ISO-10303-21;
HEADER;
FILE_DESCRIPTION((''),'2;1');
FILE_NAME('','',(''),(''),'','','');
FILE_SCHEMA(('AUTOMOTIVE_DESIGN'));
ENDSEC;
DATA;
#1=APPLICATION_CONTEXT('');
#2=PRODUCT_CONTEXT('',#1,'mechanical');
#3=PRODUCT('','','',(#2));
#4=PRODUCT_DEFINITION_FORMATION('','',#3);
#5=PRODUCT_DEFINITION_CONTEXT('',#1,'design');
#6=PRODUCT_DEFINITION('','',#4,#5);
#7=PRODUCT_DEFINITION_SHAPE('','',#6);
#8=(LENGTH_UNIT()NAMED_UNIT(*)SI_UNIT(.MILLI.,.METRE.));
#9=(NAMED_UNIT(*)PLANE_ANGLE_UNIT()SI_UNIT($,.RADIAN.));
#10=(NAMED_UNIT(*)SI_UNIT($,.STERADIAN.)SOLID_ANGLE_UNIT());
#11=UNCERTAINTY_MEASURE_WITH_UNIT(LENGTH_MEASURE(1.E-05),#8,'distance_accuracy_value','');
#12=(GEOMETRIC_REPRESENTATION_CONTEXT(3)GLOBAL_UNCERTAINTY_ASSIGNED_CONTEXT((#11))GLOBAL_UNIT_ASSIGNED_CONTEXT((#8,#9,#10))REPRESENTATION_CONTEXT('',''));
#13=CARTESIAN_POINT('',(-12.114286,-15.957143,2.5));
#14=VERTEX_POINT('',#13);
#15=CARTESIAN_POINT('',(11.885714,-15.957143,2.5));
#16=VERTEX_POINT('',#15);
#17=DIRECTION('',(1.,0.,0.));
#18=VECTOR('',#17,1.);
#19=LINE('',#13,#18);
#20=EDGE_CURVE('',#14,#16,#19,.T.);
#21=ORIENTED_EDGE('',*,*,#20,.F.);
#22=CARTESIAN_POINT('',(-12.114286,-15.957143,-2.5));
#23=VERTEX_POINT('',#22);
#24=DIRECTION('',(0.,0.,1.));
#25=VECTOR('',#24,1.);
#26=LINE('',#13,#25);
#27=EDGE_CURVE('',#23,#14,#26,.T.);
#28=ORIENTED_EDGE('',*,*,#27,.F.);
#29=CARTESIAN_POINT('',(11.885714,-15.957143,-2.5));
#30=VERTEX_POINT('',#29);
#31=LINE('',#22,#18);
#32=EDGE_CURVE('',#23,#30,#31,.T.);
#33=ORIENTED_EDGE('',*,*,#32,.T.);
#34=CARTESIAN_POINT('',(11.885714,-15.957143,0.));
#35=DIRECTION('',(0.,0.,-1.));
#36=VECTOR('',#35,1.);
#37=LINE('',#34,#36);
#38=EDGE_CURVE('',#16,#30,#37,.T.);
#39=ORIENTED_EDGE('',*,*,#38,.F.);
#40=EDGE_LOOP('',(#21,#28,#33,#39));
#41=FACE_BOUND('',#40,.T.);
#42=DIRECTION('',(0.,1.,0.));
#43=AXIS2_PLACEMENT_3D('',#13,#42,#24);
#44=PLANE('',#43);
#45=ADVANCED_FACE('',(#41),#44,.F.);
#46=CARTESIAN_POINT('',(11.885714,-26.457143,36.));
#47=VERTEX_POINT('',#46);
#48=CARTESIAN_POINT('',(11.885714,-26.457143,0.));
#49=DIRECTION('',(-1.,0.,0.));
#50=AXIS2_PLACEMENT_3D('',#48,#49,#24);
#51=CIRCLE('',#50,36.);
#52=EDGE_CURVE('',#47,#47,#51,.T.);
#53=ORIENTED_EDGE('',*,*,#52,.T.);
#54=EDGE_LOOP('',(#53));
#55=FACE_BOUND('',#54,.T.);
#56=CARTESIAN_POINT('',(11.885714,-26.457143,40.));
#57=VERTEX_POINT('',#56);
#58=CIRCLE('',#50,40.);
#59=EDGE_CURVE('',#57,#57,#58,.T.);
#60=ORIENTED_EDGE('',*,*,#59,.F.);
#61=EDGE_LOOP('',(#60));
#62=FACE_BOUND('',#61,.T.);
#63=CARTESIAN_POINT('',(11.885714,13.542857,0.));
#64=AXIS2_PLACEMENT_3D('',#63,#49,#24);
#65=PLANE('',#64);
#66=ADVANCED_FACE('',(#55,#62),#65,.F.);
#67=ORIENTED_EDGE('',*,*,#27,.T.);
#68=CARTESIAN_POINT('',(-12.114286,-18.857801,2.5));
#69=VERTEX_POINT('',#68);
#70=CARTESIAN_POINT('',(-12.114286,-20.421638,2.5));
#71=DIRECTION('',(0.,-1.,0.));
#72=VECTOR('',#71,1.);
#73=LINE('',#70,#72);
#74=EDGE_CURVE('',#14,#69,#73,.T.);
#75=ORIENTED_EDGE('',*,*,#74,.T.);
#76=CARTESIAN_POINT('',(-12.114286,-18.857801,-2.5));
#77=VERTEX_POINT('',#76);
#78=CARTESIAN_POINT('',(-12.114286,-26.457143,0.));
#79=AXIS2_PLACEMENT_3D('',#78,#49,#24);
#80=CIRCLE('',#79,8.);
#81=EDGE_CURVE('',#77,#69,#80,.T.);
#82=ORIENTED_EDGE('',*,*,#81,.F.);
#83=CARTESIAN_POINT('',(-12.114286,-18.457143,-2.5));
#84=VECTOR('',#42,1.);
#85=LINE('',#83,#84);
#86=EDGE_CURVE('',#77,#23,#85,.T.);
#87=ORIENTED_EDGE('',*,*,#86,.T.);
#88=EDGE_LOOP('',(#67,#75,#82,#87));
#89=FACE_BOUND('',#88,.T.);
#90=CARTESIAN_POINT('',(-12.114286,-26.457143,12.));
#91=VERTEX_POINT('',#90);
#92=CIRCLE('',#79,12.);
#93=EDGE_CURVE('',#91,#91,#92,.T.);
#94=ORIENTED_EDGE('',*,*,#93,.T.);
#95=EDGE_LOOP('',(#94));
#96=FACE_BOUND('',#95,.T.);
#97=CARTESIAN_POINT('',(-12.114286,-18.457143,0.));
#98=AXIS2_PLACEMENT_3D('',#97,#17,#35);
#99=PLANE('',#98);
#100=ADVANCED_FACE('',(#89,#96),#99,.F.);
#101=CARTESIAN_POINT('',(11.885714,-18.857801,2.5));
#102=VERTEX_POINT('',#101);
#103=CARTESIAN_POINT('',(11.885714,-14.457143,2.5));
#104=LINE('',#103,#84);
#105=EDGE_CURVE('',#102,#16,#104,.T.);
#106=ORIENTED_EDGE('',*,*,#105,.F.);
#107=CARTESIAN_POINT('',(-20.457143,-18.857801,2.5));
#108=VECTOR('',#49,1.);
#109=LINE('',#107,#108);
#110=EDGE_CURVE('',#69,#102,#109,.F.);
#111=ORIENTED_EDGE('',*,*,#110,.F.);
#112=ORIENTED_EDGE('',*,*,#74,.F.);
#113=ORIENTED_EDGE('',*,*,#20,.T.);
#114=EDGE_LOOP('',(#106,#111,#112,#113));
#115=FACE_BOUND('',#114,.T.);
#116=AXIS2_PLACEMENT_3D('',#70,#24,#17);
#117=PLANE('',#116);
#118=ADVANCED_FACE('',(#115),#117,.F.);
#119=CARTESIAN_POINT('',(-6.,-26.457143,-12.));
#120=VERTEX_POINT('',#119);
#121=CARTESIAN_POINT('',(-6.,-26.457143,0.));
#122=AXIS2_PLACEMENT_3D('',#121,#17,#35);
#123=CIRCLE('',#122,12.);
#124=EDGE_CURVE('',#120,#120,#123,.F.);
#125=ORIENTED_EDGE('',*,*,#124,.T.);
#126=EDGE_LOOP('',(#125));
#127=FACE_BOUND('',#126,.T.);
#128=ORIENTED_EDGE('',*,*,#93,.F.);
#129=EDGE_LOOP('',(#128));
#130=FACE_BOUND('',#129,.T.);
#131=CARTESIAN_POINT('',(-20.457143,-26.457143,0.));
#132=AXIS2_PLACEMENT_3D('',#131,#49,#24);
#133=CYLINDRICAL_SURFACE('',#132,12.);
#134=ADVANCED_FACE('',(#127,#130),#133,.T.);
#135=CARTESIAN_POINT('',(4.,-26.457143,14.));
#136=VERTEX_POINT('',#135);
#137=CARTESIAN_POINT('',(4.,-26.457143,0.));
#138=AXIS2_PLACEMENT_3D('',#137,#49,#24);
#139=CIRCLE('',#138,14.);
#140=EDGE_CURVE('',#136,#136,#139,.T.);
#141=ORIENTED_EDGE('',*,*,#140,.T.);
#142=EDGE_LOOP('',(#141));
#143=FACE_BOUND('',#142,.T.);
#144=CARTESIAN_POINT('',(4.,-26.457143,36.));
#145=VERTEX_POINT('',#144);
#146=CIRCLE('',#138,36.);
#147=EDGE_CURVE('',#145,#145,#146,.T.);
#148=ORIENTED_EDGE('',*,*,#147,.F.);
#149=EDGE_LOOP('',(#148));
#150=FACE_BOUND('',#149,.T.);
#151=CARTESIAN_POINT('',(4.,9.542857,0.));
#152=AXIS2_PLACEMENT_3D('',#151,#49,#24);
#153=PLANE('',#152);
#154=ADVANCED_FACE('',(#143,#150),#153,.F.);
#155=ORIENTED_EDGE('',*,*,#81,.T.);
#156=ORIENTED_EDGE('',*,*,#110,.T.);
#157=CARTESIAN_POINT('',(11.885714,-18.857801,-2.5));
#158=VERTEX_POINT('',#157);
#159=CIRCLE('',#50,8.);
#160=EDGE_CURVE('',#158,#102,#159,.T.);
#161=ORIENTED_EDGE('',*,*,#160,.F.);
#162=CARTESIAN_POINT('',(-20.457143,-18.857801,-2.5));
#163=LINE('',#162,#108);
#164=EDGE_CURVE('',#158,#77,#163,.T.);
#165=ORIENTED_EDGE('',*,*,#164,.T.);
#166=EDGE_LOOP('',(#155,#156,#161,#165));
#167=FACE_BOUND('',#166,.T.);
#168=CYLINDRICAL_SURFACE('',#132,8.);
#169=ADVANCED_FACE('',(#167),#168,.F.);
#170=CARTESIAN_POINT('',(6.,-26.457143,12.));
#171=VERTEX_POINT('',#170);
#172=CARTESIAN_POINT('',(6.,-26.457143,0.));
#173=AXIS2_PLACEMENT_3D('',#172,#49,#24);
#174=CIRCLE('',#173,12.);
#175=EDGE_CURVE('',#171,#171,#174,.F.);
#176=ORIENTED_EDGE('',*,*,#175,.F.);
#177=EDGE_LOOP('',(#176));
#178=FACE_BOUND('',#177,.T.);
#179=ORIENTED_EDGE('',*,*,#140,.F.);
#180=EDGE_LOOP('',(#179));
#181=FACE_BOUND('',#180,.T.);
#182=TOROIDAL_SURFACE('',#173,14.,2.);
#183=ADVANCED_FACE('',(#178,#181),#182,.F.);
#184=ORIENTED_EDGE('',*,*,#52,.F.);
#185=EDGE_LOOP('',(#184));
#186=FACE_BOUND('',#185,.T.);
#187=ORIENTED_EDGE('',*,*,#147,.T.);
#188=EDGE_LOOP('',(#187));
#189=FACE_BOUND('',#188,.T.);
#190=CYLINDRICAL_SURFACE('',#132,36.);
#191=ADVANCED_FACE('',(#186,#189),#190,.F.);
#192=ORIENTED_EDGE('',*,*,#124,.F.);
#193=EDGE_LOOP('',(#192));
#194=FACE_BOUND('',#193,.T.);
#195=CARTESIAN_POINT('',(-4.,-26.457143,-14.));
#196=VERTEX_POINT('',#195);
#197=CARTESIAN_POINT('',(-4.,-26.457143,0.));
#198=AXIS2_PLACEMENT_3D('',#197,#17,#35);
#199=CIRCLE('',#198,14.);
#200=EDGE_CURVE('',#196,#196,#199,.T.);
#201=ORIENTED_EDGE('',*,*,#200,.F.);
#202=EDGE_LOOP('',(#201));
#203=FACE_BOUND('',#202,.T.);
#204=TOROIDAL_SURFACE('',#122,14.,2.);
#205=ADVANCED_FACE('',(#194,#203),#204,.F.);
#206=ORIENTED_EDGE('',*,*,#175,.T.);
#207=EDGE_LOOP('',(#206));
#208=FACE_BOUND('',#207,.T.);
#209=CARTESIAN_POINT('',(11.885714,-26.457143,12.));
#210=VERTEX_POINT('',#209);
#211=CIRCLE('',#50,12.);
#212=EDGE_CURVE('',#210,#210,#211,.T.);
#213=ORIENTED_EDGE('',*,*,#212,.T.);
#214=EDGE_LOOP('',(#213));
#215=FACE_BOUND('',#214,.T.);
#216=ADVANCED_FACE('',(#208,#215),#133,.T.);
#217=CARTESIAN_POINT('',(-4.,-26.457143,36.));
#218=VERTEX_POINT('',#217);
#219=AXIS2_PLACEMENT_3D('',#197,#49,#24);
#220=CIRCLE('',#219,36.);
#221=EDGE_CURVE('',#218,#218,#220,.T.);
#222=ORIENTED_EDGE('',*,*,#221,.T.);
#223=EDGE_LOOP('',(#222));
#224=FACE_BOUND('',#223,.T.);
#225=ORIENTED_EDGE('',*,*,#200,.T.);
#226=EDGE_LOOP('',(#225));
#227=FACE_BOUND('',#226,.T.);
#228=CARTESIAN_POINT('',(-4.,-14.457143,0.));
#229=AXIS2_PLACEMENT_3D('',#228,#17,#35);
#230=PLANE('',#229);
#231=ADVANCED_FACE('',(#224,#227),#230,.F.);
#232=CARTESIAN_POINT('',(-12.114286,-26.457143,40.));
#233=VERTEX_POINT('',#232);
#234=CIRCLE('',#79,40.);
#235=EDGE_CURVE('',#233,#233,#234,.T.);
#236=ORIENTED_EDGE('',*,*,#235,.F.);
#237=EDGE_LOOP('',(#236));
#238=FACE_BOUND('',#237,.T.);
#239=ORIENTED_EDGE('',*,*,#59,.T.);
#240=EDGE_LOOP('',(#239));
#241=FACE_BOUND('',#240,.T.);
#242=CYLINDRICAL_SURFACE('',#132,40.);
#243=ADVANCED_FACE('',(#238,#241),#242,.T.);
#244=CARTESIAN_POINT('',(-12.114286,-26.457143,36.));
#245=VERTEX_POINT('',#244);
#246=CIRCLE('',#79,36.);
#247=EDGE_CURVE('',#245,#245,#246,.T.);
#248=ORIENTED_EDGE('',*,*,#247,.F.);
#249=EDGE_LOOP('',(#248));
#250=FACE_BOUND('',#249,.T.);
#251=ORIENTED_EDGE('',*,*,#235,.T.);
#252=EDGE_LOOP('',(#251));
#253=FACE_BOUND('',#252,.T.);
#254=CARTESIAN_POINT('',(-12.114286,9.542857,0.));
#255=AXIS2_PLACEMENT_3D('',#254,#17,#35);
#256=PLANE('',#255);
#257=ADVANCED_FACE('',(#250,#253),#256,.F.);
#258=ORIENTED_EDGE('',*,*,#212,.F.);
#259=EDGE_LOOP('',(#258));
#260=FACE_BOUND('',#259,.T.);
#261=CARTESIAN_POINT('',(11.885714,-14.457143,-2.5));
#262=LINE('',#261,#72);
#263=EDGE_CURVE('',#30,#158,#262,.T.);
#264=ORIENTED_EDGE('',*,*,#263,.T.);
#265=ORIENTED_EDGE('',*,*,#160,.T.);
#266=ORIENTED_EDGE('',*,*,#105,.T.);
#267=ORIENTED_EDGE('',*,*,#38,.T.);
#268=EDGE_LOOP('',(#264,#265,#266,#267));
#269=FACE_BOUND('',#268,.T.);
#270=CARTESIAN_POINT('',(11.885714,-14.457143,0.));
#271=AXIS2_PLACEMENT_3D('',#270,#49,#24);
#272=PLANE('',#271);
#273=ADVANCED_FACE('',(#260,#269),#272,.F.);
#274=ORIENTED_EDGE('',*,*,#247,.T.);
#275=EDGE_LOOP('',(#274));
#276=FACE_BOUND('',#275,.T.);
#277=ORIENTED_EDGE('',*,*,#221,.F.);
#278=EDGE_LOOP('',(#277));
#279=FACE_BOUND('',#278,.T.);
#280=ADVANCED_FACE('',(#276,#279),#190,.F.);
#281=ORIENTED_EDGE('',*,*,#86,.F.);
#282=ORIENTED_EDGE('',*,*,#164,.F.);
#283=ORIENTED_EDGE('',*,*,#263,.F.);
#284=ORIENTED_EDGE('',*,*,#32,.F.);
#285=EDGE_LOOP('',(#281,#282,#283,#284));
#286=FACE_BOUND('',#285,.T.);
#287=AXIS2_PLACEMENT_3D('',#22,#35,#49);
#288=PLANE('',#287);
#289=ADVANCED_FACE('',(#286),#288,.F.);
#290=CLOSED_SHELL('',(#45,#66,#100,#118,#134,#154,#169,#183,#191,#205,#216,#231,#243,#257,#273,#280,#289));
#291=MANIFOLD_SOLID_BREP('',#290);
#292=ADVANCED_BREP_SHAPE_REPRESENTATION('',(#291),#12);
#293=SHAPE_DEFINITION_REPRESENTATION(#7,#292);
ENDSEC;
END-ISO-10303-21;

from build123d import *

# Parameters (mm, degrees)
SKETCH2_W          = 5
SKETCH2_H          = 4.464495409
CUT_EXTRUDE1_DEPTH = 82.228385508
FILLET1_R          = 2
FILLET2_R          = 2


with BuildPart() as part:
    # Sketch1 → Revolve1 (revolve)
    with BuildSketch(Plane.XY, mode=Mode.PRIVATE) as revolve1_sk:
        Polygon((-12.114285714, 13.542857143), (11.885714286, 13.542857143), (11.885714286, 9.542857143), (4, 9.542857143), (4, -14.457142857), (11.885714286, -14.457142857), (11.885714286, -18.457142857), (-12.114285714, -18.457142857), (-12.114285714, -14.457142857), (-4, -14.457142857), (-4, 9.542857143), (-12.114285714, 9.542857143), (-12.114285714, 12.742857143), align=None)
    revolve(revolve1_sk.sketch.rotate(Axis((-20.457142857, -26.457142857, 0), (1, 0, 0)), 90), axis=Axis((-20.457142857, -26.457142857, 0), (1, 0, 0)))

    # Sketch2 → Cut-Extrude1 (cut, through all)
    with BuildSketch(Plane(origin=(12, 0, 0), x_dir=(0, 0, -1), z_dir=(1, 0, 0))):
        with Locations((0, -18.189390562)):
            Rectangle(SKETCH2_W, SKETCH2_H)
    extrude(amount=-CUT_EXTRUDE1_DEPTH, mode=Mode.SUBTRACT)

    # Fillet1
    fillet1_edges = [part.edges().sort_by_distance(p)[0] for p in [
        (4, -26.457142857, -12),
    ]]
    fillet(fillet1_edges, radius=FILLET1_R)

    # Fillet2
    fillet2_edges = [part.edges().sort_by_distance(p)[0] for p in [
        (-4, -26.457142857, -12),
    ]]
    fillet(fillet2_edges, radius=FILLET2_R)


solid = part.part
